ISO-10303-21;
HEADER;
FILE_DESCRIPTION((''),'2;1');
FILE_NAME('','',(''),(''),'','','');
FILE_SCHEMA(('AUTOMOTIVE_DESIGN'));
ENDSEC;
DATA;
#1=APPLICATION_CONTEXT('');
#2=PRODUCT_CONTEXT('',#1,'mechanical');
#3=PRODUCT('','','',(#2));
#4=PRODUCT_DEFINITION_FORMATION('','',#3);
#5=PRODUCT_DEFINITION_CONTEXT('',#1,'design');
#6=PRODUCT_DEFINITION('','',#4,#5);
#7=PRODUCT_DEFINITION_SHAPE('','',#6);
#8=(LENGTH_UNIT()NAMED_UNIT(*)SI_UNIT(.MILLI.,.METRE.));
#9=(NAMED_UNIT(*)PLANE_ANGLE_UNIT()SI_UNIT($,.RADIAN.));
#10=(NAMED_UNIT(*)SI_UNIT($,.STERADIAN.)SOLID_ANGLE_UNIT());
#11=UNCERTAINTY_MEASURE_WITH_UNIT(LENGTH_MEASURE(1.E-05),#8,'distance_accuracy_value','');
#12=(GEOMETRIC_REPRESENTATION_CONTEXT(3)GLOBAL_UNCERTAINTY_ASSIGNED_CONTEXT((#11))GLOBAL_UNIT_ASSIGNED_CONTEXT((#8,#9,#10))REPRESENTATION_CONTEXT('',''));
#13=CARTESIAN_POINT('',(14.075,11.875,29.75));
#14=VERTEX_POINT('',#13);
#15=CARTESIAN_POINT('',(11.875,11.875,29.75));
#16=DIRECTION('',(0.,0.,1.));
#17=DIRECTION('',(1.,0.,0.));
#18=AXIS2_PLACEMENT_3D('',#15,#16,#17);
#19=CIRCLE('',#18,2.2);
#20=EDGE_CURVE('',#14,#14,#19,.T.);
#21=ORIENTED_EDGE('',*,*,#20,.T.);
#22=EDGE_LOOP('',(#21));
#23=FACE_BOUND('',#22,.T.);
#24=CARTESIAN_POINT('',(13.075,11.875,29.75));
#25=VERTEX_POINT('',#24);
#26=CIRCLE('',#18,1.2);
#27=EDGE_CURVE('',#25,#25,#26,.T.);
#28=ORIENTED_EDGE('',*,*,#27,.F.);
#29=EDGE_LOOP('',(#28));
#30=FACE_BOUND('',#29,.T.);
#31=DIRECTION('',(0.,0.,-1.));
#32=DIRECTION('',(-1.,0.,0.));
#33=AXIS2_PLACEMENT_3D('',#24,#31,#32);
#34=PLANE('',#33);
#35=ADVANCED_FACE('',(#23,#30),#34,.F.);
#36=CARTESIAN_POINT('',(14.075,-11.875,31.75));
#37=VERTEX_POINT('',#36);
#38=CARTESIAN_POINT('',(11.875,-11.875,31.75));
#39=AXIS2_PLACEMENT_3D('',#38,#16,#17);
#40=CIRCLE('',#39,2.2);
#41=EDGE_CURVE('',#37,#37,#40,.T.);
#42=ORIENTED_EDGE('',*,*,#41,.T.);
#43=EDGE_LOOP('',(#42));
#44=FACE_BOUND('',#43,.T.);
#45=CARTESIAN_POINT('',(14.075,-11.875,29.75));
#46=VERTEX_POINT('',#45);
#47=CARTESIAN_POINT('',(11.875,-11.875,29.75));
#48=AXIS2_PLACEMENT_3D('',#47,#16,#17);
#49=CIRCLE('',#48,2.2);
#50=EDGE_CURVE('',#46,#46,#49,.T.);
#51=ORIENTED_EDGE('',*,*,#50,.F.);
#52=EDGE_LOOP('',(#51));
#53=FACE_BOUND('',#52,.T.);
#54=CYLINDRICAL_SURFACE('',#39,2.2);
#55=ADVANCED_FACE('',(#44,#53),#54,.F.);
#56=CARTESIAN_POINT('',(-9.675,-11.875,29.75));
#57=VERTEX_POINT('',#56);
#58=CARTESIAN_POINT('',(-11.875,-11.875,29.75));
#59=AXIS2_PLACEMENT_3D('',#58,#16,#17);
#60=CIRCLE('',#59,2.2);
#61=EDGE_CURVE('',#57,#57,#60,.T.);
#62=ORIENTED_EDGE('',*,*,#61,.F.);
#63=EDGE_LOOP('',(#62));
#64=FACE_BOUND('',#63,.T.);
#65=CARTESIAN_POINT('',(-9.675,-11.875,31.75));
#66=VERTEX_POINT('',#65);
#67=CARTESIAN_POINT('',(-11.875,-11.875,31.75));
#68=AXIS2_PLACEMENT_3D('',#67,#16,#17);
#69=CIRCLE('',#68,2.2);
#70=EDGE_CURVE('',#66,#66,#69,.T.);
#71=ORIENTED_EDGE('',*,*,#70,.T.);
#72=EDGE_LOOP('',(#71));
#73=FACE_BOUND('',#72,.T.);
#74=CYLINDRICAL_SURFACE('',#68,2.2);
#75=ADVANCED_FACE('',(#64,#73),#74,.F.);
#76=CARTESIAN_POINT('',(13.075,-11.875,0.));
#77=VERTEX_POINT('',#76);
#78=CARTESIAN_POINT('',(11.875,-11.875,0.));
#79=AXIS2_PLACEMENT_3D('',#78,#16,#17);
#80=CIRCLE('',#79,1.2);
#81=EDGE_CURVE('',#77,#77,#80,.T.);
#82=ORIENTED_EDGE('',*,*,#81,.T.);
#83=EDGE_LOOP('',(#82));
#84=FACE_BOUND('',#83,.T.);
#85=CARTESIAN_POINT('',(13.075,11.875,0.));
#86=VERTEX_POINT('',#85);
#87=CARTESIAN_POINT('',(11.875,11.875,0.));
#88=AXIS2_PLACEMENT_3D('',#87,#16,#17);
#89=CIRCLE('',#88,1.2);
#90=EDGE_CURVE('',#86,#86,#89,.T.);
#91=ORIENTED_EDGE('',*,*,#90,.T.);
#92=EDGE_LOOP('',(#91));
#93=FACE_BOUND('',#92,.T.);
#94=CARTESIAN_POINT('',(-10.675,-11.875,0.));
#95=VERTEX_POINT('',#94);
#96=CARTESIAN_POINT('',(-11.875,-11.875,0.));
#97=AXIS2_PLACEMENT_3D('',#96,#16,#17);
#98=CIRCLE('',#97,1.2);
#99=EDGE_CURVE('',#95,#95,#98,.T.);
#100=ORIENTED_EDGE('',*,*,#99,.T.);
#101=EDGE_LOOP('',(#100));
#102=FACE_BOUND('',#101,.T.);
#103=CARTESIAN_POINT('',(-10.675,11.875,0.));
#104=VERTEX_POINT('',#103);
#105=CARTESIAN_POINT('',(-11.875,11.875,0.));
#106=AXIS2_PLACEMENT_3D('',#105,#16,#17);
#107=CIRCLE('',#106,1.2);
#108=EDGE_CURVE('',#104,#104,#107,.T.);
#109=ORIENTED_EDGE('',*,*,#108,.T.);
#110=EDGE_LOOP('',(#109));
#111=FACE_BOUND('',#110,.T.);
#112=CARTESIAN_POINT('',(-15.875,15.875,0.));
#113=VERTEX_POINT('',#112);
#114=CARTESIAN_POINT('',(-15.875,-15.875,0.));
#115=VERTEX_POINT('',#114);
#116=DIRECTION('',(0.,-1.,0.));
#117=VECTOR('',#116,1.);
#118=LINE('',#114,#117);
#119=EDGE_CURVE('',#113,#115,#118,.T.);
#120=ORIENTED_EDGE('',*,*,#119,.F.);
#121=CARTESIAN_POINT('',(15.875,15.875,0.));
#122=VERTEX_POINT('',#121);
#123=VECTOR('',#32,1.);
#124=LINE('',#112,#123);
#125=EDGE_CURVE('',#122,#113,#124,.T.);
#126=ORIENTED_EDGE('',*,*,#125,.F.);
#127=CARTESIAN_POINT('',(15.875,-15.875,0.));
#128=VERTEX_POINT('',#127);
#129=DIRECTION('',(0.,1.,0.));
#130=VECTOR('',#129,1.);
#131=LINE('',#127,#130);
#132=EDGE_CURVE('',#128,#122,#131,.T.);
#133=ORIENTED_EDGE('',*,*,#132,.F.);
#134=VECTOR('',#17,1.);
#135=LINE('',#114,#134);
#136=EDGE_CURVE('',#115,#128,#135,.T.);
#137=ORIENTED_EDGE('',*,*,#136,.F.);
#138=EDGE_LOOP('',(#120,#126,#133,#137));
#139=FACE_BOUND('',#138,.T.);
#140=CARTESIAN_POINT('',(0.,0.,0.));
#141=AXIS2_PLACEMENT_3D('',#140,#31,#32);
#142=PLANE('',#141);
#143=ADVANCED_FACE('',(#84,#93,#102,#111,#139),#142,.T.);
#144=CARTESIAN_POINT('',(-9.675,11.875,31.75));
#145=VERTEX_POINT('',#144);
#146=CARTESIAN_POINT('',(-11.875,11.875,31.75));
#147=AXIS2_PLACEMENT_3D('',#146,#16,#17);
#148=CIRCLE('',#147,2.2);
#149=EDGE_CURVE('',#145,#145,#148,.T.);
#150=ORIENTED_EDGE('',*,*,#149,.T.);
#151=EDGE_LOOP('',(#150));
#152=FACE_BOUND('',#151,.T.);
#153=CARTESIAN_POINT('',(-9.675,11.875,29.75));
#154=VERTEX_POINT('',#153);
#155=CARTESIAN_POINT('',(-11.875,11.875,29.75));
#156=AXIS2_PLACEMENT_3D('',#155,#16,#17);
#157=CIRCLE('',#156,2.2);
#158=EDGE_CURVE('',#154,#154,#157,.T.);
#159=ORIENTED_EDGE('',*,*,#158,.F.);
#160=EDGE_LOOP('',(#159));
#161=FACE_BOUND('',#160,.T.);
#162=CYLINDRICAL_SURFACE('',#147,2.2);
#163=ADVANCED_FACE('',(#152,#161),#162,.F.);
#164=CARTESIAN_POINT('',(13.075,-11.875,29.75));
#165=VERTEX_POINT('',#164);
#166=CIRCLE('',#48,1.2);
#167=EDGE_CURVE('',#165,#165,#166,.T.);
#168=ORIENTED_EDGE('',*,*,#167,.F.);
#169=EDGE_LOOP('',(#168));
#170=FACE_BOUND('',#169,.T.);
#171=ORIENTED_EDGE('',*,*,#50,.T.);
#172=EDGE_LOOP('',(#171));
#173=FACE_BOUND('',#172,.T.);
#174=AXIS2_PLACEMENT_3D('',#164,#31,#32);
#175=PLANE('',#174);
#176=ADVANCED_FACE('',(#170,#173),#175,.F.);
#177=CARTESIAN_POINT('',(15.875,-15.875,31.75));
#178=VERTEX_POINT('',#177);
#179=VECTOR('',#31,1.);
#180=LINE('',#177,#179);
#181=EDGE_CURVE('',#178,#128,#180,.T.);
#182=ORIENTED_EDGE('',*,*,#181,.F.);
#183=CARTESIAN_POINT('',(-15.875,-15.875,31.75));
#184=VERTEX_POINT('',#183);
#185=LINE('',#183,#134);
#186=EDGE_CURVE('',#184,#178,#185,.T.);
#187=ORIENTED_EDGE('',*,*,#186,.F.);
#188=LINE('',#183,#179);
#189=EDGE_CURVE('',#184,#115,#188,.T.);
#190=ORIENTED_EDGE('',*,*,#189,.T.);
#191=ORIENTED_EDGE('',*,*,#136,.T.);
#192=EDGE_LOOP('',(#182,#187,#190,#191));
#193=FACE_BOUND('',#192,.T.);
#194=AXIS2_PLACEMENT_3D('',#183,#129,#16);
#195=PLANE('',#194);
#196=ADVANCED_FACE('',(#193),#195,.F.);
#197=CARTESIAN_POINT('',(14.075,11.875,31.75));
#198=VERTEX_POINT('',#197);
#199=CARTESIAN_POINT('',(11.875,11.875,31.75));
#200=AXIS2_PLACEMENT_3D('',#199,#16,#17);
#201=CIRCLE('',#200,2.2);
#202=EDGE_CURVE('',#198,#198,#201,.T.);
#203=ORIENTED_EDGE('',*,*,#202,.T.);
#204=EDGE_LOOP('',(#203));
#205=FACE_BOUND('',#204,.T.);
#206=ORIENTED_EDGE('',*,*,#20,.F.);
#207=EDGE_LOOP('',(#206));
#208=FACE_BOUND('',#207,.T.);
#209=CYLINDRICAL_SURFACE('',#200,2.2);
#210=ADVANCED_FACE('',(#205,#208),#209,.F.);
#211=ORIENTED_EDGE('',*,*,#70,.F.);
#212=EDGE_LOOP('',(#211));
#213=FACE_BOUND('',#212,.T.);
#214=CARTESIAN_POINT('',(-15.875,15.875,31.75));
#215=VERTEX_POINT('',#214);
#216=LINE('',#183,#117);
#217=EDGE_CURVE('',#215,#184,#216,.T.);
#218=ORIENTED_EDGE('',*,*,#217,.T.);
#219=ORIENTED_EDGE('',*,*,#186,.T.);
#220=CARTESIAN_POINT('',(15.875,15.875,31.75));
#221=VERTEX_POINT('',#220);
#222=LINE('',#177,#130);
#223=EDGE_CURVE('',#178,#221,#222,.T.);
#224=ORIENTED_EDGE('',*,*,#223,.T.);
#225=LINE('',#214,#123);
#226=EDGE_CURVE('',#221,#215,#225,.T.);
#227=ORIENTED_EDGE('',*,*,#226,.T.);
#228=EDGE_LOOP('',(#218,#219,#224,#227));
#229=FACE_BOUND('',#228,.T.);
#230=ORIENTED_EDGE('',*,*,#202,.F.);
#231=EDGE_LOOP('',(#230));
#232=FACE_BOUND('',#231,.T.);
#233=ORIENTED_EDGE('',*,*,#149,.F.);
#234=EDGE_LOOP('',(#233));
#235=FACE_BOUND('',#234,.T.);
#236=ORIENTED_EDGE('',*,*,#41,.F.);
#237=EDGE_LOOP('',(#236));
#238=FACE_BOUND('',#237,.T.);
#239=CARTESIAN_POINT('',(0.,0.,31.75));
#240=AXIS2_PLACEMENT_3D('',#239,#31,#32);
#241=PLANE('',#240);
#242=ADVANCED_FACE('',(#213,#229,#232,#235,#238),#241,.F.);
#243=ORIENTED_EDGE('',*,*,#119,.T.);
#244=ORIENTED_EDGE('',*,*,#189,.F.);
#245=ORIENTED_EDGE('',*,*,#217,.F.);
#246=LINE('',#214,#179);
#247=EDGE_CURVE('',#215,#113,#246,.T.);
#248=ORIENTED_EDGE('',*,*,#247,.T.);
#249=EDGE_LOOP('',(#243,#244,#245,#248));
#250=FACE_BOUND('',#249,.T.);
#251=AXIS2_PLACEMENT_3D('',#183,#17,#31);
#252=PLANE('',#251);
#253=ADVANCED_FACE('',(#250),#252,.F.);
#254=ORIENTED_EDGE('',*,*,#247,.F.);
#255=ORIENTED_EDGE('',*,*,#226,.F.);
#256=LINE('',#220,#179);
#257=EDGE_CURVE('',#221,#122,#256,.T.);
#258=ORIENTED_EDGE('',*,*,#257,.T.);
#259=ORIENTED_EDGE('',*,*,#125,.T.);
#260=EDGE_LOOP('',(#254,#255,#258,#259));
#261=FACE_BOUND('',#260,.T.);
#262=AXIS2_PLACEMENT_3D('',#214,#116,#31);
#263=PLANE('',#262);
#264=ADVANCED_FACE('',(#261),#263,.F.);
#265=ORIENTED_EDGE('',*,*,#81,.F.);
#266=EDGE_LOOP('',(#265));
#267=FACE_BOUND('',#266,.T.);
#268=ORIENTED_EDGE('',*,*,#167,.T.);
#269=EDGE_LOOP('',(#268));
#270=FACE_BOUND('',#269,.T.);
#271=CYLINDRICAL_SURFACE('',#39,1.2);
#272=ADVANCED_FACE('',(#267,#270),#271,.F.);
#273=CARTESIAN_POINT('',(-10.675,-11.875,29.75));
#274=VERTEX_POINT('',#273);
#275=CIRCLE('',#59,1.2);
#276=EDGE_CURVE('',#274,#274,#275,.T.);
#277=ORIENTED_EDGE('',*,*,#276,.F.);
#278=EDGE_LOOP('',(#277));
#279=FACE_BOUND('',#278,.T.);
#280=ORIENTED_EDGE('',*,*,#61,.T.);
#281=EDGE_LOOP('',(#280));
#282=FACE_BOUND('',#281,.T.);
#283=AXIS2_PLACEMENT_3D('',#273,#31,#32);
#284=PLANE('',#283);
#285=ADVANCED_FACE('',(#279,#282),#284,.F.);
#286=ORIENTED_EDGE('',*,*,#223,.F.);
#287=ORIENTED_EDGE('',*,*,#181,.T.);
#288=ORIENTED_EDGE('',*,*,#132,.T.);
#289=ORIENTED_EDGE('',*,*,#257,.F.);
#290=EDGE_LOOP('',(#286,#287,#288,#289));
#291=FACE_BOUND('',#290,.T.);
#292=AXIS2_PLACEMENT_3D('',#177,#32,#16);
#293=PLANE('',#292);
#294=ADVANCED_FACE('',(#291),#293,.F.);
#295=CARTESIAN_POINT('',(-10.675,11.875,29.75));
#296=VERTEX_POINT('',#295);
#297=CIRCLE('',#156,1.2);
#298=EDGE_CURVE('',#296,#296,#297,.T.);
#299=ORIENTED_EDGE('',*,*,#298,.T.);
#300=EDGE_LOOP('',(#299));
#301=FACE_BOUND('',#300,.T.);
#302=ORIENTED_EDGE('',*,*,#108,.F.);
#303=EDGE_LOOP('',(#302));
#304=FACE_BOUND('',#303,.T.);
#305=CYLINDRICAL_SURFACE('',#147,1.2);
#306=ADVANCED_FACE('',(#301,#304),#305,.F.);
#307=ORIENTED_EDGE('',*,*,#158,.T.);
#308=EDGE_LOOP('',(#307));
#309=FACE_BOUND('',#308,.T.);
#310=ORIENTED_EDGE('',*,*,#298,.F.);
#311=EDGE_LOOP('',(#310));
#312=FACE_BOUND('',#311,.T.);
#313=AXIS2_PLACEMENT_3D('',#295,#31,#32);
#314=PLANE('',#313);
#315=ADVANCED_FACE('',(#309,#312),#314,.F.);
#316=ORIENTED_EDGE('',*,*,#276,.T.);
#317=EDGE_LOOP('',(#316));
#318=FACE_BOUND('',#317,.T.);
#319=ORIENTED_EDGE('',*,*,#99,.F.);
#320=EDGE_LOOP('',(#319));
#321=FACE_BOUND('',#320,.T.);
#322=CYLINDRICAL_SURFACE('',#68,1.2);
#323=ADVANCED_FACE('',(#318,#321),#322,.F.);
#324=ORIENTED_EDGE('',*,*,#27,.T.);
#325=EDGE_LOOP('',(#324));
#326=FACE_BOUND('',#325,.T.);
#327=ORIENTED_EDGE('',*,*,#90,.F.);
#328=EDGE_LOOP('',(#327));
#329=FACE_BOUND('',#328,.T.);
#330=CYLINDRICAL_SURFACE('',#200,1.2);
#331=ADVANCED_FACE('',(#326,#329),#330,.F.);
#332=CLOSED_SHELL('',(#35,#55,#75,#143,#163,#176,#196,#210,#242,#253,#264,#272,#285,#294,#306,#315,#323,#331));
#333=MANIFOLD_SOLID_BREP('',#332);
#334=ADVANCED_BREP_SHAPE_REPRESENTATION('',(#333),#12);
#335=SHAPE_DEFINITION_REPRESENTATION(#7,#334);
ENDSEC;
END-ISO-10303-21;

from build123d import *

# Parameters (mm, degrees)
SKETCH1_W                      = 31.75
SKETCH1_H                      = 31.75
BOSS_EXTRUDE1_DEPTH            = 31.75
CBORE_FOR_M2_SHCS1_D           = 2.4
CBORE_FOR_M2_SHCS1_CBORE_D     = 4.4
CBORE_FOR_M2_SHCS1_CBORE_DEPTH = 2


with BuildPart() as part:
    # Sketch1 → Boss-Extrude1 (new body)
    with BuildSketch(Plane.XY):
        Rectangle(SKETCH1_W, SKETCH1_H)
    extrude(amount=BOSS_EXTRUDE1_DEPTH)

    # CBORE for M2 SHCS1 (through all)
    with Locations(Plane.XY.offset(31.75)):
        with Locations((-11.875, 11.875), (11.875, 11.875), (11.875, -11.875), (-11.875, -11.875)):
            CounterBoreHole(CBORE_FOR_M2_SHCS1_D / 2, CBORE_FOR_M2_SHCS1_CBORE_D / 2, CBORE_FOR_M2_SHCS1_CBORE_DEPTH)


solid = part.part
